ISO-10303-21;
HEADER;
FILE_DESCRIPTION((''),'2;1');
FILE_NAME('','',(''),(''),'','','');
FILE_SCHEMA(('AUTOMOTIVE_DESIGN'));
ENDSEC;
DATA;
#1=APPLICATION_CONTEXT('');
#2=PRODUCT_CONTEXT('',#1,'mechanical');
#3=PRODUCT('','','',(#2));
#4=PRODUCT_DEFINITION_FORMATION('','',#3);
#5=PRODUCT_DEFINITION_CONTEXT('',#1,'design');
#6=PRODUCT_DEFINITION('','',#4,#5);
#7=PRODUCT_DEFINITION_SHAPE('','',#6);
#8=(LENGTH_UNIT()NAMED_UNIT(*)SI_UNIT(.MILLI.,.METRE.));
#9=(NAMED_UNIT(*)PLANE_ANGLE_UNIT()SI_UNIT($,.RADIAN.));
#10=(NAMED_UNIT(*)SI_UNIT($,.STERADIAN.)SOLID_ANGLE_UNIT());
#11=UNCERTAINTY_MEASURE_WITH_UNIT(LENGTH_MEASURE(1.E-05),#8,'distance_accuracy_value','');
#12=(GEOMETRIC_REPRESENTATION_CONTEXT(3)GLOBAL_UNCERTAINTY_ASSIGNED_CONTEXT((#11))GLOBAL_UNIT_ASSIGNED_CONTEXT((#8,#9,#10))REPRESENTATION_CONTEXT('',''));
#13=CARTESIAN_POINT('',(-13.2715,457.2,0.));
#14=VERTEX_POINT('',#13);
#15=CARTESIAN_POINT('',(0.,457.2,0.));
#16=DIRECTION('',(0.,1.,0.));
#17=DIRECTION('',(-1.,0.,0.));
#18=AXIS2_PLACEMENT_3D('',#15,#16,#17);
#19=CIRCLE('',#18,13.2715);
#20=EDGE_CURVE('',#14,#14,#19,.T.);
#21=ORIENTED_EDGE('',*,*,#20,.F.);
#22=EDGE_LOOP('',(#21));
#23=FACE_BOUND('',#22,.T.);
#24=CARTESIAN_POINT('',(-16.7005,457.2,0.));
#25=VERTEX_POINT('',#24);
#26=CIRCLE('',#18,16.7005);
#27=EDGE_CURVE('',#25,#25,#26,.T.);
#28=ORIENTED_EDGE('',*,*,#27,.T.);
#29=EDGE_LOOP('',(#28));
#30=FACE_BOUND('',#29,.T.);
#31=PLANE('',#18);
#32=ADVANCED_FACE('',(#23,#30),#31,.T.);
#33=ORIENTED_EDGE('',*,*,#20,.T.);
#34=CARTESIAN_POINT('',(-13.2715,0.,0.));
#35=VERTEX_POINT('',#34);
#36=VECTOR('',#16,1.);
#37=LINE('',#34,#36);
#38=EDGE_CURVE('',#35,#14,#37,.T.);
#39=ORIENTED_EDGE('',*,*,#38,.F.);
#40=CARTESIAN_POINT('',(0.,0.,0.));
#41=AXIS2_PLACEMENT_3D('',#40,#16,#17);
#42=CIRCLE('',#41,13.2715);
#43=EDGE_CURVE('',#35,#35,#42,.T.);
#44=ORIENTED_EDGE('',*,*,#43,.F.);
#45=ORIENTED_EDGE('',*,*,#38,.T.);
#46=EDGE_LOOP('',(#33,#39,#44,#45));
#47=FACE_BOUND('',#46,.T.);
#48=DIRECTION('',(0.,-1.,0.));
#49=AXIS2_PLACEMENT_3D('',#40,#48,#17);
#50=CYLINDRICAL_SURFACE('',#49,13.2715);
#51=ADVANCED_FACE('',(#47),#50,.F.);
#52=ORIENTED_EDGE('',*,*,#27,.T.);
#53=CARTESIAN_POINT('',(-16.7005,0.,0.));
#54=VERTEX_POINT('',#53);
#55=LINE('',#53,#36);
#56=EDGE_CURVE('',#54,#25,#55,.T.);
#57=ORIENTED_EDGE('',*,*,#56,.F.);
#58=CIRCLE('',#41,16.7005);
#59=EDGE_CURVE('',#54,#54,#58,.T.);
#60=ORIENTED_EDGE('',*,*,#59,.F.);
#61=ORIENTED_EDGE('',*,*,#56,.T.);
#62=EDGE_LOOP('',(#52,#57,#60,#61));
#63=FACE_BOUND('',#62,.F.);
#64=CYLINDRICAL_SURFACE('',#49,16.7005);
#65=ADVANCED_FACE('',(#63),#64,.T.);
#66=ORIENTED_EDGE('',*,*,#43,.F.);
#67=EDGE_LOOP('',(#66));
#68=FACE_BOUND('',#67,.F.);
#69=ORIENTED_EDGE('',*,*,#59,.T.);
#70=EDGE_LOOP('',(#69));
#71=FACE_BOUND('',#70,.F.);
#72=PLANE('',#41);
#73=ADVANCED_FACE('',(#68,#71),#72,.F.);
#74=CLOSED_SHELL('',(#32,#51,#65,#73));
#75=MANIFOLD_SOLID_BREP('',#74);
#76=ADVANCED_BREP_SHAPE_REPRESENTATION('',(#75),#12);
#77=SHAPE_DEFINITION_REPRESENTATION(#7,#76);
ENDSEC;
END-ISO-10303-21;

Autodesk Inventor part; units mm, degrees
ref_plane "YZ Plane" through (0, 0, 0) normal (1, 0, 0) x (0, 1, 0)
ref_plane "XZ Plane" through (0, 0, 0) normal (0, 1, 0) x (-1, 0, 0)
ref_plane "XY Plane" through (0, 0, 0) normal (0, 0, 1) x (1, 0, 0)
sketch "Sketch1" plane through (0, 0, 0) normal (0, 1, 0) x (-1, 0, 0)
  circle A0 centre (0, 0) radius 13.2715
  circle A1 centre (0, 0) radius 16.7005
  dimension "d0" = 26.543
  dimension "d1" = 33.401
extrude "Extrusion1" add sketch "Sketch1" along normal blind 457.2
properties part number "pvc pipe 1in 2"
